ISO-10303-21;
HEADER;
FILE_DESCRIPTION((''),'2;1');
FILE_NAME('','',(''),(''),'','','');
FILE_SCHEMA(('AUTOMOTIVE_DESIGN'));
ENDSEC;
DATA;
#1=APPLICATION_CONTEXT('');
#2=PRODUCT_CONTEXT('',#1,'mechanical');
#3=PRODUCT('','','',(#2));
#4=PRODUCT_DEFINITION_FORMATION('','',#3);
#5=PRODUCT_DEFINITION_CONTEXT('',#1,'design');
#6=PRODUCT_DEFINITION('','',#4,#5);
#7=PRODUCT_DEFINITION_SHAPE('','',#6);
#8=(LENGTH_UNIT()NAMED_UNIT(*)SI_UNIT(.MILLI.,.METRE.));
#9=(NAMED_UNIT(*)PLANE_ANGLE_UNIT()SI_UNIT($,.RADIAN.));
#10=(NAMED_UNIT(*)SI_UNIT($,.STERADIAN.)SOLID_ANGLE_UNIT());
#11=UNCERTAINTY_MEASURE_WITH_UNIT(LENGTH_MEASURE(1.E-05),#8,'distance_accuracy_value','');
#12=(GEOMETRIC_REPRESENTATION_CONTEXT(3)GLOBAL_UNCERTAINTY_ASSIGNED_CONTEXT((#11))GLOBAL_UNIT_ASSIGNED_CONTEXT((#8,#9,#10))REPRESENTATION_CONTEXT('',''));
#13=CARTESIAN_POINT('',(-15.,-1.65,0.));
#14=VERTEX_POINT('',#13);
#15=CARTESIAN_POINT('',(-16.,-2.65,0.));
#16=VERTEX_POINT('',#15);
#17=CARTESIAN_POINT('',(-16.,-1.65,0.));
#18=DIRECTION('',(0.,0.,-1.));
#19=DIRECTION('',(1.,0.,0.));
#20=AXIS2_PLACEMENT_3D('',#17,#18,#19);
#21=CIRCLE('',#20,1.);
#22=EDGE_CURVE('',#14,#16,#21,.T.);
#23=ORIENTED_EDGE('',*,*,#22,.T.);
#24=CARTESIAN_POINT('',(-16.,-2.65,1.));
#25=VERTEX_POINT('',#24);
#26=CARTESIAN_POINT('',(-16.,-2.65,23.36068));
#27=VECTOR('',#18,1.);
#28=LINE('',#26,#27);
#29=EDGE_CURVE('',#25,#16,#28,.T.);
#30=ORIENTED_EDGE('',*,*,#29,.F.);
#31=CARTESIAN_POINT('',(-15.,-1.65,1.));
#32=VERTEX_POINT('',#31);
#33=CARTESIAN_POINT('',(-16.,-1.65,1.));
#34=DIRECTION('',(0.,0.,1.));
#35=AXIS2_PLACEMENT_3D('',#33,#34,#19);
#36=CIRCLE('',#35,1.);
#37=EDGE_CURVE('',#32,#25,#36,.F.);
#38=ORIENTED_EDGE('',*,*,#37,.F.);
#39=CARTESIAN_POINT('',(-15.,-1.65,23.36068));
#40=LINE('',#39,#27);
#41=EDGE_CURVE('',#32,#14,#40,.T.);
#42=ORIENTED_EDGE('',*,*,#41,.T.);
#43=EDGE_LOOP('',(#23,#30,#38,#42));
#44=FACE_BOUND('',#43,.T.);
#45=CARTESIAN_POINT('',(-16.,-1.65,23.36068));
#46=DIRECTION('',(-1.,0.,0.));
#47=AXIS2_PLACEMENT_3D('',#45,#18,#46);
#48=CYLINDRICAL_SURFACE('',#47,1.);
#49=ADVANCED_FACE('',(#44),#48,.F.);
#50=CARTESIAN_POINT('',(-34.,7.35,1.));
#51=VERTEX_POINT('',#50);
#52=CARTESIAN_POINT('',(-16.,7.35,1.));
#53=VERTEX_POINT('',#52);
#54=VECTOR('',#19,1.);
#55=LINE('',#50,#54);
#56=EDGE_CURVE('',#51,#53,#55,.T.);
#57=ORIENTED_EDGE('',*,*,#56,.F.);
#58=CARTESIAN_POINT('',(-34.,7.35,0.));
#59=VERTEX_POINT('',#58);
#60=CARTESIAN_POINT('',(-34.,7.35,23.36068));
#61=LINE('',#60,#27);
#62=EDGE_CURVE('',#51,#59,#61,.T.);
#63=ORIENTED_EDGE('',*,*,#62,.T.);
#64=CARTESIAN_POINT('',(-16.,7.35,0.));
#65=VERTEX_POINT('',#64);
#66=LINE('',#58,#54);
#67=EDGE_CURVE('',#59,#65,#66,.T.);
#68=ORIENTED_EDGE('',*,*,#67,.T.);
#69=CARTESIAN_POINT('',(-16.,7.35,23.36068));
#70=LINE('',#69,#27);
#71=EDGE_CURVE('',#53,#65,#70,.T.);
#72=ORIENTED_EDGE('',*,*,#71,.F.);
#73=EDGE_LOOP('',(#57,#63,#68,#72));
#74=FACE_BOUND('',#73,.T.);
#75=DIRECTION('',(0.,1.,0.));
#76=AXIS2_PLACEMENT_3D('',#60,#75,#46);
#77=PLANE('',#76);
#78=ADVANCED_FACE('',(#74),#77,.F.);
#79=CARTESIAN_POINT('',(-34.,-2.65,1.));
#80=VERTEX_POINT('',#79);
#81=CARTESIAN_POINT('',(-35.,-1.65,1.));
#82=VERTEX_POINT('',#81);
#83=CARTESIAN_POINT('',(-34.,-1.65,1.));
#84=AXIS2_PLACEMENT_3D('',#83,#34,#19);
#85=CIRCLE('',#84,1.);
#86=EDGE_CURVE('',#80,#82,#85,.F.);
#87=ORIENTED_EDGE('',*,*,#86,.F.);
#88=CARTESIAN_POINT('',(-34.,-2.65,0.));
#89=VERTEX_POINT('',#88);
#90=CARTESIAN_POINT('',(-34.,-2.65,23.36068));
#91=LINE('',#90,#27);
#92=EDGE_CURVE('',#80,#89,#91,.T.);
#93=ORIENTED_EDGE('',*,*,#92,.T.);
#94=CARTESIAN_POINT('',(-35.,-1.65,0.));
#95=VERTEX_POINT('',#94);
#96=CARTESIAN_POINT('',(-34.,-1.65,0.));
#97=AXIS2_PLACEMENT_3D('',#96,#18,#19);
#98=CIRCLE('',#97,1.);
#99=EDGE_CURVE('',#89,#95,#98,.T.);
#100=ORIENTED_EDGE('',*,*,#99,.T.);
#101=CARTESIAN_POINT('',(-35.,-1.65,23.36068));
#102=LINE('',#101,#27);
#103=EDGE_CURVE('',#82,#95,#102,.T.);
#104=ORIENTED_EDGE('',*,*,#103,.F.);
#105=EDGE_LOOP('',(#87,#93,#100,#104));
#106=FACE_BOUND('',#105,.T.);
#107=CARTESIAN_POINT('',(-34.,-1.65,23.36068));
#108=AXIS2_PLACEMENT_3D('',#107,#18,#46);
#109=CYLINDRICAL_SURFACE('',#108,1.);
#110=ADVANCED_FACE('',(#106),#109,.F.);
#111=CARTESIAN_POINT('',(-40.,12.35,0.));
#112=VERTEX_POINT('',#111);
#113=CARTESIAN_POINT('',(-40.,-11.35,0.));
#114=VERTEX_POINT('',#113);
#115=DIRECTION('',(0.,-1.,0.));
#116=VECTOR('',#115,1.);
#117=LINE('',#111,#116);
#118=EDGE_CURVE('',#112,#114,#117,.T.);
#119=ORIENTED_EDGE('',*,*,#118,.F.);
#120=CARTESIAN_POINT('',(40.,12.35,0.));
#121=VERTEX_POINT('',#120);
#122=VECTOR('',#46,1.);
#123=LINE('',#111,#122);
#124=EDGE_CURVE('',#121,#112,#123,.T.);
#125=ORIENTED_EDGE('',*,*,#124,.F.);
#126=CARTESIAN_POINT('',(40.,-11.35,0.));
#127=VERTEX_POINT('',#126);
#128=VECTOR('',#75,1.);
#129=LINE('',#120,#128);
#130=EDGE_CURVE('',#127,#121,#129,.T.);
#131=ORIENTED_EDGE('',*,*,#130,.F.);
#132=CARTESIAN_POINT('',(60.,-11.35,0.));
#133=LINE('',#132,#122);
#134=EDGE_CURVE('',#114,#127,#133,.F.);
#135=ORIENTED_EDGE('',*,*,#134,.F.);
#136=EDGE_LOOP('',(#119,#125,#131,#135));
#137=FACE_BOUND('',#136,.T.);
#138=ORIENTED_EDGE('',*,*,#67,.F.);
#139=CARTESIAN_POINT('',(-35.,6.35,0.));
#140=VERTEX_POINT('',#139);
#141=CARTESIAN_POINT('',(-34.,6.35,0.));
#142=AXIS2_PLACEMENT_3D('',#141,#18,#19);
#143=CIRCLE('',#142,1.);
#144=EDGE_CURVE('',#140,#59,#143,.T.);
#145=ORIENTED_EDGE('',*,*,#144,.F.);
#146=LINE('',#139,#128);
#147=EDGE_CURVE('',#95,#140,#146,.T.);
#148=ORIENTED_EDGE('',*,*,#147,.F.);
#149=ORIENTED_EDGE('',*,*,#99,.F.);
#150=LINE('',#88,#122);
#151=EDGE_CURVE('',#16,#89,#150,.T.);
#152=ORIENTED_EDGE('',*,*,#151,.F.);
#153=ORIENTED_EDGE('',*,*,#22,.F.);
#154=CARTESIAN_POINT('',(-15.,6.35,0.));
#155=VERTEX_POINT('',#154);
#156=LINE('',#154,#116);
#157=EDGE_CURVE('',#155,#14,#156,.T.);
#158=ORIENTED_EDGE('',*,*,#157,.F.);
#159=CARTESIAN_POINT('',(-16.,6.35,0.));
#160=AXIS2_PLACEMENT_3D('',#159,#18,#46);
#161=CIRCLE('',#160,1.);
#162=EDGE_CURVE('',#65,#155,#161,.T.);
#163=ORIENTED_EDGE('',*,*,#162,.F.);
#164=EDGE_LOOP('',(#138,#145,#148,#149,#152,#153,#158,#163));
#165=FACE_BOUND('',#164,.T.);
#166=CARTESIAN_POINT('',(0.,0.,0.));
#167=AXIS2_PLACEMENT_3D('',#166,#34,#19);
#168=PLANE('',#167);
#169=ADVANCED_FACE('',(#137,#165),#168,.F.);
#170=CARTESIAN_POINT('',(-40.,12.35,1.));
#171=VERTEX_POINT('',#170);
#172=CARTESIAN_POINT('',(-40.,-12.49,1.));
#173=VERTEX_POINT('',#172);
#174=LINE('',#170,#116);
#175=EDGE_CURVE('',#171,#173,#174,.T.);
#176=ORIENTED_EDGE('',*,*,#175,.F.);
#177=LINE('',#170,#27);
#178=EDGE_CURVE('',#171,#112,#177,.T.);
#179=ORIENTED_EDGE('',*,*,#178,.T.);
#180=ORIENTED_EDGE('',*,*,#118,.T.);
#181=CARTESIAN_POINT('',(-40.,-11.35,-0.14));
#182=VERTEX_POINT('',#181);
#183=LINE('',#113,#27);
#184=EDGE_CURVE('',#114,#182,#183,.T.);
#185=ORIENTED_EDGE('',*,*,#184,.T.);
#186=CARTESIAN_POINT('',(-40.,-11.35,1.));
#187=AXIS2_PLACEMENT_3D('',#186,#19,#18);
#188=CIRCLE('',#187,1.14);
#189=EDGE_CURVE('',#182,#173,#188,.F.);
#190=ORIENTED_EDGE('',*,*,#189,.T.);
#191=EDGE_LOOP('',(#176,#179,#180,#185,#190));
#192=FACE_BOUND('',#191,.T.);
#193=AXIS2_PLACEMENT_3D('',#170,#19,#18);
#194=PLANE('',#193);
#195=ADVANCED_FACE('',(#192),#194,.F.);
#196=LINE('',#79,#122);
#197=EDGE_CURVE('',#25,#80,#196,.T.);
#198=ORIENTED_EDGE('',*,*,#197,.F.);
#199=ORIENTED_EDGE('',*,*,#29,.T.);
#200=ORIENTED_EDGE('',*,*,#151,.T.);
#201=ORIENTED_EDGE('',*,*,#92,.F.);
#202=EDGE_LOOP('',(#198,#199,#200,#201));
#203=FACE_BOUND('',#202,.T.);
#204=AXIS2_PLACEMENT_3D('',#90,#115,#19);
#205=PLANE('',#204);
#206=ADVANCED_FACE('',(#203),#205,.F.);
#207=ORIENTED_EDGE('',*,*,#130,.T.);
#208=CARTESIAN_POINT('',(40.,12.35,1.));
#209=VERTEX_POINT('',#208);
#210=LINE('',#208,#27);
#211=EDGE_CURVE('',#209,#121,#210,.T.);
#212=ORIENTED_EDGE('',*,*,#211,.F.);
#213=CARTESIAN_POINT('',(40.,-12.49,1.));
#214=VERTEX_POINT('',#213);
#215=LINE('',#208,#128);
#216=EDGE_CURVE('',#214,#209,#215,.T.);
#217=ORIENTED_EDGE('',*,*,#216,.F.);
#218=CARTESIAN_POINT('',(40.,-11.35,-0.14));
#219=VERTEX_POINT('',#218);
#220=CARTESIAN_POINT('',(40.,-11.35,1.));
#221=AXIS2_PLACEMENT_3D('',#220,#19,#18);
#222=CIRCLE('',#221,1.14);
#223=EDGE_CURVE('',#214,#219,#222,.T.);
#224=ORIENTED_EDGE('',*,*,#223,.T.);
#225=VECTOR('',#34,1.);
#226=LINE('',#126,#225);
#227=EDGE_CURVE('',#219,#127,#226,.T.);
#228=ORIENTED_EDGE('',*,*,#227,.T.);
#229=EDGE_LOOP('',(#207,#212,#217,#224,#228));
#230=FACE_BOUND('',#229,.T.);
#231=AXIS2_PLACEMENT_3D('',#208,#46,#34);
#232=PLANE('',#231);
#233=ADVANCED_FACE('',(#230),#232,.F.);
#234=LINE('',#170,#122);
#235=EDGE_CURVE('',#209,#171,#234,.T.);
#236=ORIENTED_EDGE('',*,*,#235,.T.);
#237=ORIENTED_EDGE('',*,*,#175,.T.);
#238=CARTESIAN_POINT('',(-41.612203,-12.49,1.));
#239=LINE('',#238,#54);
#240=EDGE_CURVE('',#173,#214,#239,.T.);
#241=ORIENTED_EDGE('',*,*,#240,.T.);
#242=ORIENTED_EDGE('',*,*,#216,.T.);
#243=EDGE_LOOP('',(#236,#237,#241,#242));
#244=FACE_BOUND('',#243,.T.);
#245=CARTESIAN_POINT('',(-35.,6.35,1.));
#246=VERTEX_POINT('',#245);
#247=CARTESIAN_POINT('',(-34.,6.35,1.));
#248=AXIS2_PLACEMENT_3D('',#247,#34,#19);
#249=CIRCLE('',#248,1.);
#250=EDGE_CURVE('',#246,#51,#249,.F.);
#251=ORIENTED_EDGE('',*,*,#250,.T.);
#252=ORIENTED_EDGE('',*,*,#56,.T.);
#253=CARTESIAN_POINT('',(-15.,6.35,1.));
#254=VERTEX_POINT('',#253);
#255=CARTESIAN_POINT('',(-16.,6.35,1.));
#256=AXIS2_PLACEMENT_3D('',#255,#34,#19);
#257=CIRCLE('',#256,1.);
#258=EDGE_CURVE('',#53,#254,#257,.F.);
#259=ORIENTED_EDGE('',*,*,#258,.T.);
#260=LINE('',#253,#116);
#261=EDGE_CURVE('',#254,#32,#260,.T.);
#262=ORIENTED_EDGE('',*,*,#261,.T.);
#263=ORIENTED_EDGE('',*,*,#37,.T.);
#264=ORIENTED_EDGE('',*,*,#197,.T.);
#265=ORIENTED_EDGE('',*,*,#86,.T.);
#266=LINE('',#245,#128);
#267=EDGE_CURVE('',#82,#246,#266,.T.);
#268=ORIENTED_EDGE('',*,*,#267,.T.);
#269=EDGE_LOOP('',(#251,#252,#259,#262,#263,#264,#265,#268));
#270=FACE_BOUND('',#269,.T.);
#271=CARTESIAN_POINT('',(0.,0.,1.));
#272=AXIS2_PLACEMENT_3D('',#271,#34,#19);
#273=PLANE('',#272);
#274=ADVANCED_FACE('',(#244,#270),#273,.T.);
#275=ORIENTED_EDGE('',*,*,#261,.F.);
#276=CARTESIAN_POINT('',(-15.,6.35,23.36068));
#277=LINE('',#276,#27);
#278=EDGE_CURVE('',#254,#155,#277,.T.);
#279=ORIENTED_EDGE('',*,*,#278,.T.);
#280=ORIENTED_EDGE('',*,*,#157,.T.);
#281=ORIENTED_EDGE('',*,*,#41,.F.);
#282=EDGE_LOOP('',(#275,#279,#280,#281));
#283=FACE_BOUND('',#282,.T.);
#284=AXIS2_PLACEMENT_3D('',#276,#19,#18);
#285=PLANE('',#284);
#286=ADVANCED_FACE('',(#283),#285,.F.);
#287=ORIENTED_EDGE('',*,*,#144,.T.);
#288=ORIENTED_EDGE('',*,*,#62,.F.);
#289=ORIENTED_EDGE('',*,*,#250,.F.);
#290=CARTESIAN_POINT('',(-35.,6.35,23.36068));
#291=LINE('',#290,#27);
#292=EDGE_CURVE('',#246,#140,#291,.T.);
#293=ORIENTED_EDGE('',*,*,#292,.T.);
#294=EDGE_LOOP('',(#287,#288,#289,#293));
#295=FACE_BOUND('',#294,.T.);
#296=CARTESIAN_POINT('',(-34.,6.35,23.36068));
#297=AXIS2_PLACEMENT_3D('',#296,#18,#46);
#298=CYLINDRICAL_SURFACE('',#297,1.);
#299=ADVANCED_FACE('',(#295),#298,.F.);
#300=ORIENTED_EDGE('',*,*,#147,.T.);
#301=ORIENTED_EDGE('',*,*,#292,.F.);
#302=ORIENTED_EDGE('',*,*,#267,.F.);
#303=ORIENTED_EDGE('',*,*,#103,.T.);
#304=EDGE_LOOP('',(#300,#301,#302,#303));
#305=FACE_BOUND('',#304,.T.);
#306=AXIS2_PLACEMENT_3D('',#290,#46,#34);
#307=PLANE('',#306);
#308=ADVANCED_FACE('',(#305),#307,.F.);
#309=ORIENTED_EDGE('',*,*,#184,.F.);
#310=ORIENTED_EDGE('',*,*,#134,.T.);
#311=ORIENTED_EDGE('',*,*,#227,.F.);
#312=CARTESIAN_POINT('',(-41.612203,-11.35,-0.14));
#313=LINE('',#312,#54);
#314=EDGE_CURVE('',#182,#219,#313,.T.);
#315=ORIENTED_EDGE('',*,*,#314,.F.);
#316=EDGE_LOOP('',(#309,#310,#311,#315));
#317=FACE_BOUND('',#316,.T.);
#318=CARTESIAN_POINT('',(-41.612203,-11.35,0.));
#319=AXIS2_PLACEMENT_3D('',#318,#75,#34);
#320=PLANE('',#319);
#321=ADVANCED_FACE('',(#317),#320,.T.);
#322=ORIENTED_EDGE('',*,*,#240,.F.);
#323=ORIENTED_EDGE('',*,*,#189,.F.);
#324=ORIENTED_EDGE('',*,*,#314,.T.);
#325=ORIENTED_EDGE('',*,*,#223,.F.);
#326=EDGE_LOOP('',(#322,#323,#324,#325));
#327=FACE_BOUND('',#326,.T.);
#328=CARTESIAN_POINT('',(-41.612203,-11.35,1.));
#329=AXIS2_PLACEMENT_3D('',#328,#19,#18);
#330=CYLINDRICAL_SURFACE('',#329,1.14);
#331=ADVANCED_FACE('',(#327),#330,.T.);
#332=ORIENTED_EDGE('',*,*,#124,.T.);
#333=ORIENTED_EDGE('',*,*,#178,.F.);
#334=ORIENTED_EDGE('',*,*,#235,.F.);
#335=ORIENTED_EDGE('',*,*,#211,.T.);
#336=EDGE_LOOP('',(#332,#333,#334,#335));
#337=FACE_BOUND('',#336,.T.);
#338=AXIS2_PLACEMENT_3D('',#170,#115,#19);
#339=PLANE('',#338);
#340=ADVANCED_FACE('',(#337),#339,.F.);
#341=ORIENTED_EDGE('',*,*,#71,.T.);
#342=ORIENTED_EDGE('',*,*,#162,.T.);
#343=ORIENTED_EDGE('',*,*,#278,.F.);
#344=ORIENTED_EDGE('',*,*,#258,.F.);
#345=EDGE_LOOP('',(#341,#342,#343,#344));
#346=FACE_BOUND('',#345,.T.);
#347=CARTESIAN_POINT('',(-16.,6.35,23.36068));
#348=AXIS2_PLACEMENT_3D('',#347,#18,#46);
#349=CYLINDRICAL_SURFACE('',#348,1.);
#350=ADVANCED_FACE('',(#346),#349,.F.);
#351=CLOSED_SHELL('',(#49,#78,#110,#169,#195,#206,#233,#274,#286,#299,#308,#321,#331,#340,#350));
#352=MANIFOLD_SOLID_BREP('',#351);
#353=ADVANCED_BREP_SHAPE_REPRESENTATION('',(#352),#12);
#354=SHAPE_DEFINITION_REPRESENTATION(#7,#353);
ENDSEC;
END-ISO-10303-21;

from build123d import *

# Parameters (mm, degrees)
SKETCH1_W           = 80
SKETCH1_H           = 24.7
BOSS_EXTRUDE1_DEPTH = 1
CUT_EXTRUDE1_DEPTH  = 100
CUT_EXTRUDE2_DEPTH  = 1
BOSS_EXTRUDE2_START = -80
BOSS_EXTRUDE2_DEPTH = 80


with BuildPart() as part:
    # Sketch1 → Boss-Extrude1 (new body)
    with BuildSketch(Plane.XY):
        Rectangle(SKETCH1_W, SKETCH1_H)
    extrude(amount=BOSS_EXTRUDE1_DEPTH)

    # Sketch2 → Cut-Extrude1 (cut)
    with BuildSketch(Plane.ZY.offset(40)):
        with BuildLine():
            Line((0, -12.35), (1, -12.35))
            ThreePointArc((1, -12.35), (0.292893219, -12.057106781), (0, -11.35))
            Line((0, -11.35), (0, -12.35))
        make_face()
    extrude(amount=-CUT_EXTRUDE1_DEPTH, mode=Mode.SUBTRACT)

    # Sketch3 → Cut-Extrude2 (cut)
    with BuildSketch(Plane(origin=(0, 0, 0), x_dir=(-1, 0, 0), z_dir=(0, 0, -1))):
        with BuildLine():
            Line((34, 7.35), (16, 7.35))
            ThreePointArc((16, 7.35), (15.292893219, 7.057106781), (15, 6.35))
            Line((15, 6.35), (15, -1.65))
            ThreePointArc((15, -1.65), (15.292893219, -2.357106781), (16, -2.65))
            Line((16, -2.65), (34, -2.65))
            ThreePointArc((34, -2.65), (34.707106781, -2.357106781), (35, -1.65))
            Line((35, -1.65), (35, 6.35))
            ThreePointArc((35, 6.35), (34.707106781, 7.057106781), (34, 7.35))
        make_face()
    extrude(amount=-CUT_EXTRUDE2_DEPTH, mode=Mode.SUBTRACT)

    # Sketch4 → Boss-Extrude2 (add)
    with BuildSketch(Plane(origin=(40, 0, 0), x_dir=(0, 0, -1), z_dir=(1, 0, 0)).offset(BOSS_EXTRUDE2_START)):
        with BuildLine():
            Line((-1, -12.49), (-1, -12.35))
            ThreePointArc((-1, -12.35), (-0.292893219, -12.057106781), (0, -11.35))
            Line((0, -11.35), (0.14, -11.35))
            ThreePointArc((0.14, -11.35), (-0.193898269, -12.156101731), (-1, -12.49))
        make_face()
    extrude(amount=BOSS_EXTRUDE2_DEPTH)


solid = part.part
